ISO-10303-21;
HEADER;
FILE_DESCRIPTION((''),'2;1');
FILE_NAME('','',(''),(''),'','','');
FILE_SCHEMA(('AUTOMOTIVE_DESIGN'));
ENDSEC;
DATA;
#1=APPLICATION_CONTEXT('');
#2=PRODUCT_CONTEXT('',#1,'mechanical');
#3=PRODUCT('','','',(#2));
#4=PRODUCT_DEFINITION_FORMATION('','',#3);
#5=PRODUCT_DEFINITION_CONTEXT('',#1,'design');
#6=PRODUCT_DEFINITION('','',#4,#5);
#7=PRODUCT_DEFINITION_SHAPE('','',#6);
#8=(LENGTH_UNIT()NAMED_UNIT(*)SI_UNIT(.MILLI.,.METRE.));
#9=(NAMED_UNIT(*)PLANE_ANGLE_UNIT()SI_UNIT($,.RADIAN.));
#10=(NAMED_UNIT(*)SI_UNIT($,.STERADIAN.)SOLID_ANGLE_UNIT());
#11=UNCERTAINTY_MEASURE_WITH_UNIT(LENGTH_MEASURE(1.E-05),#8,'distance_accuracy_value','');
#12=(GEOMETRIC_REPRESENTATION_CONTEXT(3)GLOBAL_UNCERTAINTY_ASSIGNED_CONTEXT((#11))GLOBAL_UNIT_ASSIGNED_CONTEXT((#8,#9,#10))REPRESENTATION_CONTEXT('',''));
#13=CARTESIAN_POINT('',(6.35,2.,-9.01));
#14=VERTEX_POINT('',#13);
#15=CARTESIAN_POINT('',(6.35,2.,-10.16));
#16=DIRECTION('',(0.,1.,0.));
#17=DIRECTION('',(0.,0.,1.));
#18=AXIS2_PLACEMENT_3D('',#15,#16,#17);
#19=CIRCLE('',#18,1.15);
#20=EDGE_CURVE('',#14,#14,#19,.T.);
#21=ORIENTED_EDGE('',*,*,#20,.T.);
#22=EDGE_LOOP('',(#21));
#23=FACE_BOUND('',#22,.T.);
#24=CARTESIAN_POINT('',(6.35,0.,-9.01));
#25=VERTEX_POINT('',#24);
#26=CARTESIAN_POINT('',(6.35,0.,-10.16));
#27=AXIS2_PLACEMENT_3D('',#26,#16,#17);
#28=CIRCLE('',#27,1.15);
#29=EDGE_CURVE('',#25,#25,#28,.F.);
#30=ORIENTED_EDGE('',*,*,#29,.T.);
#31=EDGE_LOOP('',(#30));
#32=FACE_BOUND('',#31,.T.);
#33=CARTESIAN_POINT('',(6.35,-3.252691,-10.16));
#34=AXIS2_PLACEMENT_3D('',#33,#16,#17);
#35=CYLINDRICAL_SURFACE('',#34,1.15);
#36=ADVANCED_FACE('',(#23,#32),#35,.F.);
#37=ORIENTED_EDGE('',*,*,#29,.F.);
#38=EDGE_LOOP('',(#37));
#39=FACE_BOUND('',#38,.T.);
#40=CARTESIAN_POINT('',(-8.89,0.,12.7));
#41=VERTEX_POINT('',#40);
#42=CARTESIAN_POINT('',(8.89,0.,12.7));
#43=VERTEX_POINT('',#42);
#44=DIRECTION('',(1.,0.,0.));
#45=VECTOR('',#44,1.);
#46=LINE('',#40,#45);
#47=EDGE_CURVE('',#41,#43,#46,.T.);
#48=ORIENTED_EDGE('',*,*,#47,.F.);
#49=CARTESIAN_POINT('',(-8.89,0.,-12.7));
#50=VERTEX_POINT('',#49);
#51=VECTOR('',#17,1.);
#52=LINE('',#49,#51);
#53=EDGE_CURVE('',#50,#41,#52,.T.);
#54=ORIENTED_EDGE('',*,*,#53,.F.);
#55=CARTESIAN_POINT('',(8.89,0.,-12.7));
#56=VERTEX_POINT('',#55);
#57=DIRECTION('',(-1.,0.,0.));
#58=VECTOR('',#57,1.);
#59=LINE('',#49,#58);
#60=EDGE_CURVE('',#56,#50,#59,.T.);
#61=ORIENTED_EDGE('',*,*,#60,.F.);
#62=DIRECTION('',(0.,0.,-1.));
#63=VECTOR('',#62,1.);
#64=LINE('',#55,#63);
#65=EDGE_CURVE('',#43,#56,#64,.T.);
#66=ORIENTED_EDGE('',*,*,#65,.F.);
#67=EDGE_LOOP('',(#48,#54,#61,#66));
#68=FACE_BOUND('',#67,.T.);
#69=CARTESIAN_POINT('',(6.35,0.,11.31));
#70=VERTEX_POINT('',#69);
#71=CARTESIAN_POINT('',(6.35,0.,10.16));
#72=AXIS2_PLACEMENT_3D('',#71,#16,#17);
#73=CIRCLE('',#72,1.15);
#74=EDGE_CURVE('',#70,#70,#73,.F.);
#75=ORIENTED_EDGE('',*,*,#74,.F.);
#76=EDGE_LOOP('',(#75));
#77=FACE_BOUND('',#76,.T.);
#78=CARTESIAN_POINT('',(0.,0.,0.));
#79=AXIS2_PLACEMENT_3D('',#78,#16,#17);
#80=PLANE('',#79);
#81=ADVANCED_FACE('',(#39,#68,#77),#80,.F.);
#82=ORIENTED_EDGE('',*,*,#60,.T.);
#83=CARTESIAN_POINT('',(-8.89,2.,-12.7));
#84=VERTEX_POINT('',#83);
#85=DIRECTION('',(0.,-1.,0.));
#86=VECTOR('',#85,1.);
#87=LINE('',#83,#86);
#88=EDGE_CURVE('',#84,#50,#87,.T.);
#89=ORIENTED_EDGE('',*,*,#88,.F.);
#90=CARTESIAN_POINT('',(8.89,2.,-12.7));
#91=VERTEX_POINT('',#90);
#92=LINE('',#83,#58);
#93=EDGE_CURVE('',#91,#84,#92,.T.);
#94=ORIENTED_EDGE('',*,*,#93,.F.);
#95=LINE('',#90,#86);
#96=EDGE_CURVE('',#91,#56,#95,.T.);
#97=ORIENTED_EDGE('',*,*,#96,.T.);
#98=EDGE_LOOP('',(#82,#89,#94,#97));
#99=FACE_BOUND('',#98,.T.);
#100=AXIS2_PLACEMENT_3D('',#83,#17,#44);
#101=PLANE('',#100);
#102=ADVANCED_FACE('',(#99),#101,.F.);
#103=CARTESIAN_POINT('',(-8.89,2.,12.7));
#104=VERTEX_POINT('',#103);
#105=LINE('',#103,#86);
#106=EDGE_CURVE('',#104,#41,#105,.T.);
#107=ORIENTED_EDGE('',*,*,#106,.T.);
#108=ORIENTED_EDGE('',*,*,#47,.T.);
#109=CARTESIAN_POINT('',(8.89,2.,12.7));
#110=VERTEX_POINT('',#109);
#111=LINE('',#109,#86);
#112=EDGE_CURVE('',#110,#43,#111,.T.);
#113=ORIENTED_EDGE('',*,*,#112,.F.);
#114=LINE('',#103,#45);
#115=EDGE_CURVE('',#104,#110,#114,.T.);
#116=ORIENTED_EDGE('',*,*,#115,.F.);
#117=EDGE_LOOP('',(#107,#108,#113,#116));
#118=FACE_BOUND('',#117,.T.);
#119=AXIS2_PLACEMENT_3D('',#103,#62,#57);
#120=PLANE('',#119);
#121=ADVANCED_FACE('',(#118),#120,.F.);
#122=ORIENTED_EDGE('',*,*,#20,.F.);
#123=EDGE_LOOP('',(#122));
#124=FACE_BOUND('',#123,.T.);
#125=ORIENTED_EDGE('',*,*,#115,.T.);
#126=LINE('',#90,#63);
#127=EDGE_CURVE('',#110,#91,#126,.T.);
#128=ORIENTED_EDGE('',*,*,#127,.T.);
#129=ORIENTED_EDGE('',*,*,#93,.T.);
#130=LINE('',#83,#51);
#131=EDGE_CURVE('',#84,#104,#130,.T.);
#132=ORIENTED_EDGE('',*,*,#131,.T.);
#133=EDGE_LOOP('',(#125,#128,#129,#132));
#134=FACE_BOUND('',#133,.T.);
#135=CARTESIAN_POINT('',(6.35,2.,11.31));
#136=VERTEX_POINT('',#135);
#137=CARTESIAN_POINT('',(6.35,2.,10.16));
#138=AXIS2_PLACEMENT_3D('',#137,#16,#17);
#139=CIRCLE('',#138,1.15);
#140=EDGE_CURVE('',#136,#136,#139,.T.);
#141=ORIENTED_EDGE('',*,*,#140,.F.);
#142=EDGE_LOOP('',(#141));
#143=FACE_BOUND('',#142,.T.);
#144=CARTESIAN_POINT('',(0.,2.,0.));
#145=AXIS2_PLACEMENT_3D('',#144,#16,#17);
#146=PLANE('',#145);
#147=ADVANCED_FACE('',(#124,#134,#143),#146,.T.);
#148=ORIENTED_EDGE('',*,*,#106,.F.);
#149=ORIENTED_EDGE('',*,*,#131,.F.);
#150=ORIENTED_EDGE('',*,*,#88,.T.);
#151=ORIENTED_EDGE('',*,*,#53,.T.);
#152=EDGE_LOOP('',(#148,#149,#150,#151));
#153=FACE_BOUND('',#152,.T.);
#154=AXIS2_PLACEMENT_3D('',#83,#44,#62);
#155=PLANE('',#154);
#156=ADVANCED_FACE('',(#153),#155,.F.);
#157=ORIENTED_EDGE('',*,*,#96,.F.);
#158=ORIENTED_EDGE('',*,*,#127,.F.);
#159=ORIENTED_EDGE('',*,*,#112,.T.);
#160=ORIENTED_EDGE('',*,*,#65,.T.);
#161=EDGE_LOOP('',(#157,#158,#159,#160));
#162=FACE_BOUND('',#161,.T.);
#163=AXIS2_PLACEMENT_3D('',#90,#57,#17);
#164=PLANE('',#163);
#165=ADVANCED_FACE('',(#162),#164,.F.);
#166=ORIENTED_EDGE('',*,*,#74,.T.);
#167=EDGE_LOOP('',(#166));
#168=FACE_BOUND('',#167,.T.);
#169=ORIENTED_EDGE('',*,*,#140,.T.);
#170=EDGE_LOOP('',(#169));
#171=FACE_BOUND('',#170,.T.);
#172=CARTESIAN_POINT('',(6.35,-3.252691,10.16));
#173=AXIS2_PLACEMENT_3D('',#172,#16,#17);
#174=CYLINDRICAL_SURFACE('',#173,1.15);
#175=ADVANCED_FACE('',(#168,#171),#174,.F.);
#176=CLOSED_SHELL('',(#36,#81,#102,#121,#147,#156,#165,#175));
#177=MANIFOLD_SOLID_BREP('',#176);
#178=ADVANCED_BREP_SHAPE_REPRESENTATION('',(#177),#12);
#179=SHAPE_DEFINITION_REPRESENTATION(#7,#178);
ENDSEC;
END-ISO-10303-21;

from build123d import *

# Parameters (mm, degrees)
SKETCH2_W           = 17.78
SKETCH2_H           = 25.4
BOSS_EXTRUDE1_DEPTH = 2
SKETCH3_R           = 1.15
CUT_EXTRUDE1_DEPTH  = 2


with BuildPart() as part:
    # Sketch2 → Boss-Extrude1 (new body)
    with BuildSketch(Plane(origin=(0, 0, 0), x_dir=(1, 0, 0), z_dir=(0, 1, 0))):
        Rectangle(SKETCH2_W, SKETCH2_H)
    extrude(amount=BOSS_EXTRUDE1_DEPTH)

    # Sketch3 → Cut-Extrude1 (cut)
    with BuildSketch(Plane(origin=(0, 2, 0), x_dir=(1, 0, 0), z_dir=(0, 1, 0))):
        with Locations((6.35, 10.16)):
            Circle(SKETCH3_R)
        with Locations((6.35, -10.16)):
            Circle(SKETCH3_R)
    extrude(amount=-CUT_EXTRUDE1_DEPTH, mode=Mode.SUBTRACT)


solid = part.part
